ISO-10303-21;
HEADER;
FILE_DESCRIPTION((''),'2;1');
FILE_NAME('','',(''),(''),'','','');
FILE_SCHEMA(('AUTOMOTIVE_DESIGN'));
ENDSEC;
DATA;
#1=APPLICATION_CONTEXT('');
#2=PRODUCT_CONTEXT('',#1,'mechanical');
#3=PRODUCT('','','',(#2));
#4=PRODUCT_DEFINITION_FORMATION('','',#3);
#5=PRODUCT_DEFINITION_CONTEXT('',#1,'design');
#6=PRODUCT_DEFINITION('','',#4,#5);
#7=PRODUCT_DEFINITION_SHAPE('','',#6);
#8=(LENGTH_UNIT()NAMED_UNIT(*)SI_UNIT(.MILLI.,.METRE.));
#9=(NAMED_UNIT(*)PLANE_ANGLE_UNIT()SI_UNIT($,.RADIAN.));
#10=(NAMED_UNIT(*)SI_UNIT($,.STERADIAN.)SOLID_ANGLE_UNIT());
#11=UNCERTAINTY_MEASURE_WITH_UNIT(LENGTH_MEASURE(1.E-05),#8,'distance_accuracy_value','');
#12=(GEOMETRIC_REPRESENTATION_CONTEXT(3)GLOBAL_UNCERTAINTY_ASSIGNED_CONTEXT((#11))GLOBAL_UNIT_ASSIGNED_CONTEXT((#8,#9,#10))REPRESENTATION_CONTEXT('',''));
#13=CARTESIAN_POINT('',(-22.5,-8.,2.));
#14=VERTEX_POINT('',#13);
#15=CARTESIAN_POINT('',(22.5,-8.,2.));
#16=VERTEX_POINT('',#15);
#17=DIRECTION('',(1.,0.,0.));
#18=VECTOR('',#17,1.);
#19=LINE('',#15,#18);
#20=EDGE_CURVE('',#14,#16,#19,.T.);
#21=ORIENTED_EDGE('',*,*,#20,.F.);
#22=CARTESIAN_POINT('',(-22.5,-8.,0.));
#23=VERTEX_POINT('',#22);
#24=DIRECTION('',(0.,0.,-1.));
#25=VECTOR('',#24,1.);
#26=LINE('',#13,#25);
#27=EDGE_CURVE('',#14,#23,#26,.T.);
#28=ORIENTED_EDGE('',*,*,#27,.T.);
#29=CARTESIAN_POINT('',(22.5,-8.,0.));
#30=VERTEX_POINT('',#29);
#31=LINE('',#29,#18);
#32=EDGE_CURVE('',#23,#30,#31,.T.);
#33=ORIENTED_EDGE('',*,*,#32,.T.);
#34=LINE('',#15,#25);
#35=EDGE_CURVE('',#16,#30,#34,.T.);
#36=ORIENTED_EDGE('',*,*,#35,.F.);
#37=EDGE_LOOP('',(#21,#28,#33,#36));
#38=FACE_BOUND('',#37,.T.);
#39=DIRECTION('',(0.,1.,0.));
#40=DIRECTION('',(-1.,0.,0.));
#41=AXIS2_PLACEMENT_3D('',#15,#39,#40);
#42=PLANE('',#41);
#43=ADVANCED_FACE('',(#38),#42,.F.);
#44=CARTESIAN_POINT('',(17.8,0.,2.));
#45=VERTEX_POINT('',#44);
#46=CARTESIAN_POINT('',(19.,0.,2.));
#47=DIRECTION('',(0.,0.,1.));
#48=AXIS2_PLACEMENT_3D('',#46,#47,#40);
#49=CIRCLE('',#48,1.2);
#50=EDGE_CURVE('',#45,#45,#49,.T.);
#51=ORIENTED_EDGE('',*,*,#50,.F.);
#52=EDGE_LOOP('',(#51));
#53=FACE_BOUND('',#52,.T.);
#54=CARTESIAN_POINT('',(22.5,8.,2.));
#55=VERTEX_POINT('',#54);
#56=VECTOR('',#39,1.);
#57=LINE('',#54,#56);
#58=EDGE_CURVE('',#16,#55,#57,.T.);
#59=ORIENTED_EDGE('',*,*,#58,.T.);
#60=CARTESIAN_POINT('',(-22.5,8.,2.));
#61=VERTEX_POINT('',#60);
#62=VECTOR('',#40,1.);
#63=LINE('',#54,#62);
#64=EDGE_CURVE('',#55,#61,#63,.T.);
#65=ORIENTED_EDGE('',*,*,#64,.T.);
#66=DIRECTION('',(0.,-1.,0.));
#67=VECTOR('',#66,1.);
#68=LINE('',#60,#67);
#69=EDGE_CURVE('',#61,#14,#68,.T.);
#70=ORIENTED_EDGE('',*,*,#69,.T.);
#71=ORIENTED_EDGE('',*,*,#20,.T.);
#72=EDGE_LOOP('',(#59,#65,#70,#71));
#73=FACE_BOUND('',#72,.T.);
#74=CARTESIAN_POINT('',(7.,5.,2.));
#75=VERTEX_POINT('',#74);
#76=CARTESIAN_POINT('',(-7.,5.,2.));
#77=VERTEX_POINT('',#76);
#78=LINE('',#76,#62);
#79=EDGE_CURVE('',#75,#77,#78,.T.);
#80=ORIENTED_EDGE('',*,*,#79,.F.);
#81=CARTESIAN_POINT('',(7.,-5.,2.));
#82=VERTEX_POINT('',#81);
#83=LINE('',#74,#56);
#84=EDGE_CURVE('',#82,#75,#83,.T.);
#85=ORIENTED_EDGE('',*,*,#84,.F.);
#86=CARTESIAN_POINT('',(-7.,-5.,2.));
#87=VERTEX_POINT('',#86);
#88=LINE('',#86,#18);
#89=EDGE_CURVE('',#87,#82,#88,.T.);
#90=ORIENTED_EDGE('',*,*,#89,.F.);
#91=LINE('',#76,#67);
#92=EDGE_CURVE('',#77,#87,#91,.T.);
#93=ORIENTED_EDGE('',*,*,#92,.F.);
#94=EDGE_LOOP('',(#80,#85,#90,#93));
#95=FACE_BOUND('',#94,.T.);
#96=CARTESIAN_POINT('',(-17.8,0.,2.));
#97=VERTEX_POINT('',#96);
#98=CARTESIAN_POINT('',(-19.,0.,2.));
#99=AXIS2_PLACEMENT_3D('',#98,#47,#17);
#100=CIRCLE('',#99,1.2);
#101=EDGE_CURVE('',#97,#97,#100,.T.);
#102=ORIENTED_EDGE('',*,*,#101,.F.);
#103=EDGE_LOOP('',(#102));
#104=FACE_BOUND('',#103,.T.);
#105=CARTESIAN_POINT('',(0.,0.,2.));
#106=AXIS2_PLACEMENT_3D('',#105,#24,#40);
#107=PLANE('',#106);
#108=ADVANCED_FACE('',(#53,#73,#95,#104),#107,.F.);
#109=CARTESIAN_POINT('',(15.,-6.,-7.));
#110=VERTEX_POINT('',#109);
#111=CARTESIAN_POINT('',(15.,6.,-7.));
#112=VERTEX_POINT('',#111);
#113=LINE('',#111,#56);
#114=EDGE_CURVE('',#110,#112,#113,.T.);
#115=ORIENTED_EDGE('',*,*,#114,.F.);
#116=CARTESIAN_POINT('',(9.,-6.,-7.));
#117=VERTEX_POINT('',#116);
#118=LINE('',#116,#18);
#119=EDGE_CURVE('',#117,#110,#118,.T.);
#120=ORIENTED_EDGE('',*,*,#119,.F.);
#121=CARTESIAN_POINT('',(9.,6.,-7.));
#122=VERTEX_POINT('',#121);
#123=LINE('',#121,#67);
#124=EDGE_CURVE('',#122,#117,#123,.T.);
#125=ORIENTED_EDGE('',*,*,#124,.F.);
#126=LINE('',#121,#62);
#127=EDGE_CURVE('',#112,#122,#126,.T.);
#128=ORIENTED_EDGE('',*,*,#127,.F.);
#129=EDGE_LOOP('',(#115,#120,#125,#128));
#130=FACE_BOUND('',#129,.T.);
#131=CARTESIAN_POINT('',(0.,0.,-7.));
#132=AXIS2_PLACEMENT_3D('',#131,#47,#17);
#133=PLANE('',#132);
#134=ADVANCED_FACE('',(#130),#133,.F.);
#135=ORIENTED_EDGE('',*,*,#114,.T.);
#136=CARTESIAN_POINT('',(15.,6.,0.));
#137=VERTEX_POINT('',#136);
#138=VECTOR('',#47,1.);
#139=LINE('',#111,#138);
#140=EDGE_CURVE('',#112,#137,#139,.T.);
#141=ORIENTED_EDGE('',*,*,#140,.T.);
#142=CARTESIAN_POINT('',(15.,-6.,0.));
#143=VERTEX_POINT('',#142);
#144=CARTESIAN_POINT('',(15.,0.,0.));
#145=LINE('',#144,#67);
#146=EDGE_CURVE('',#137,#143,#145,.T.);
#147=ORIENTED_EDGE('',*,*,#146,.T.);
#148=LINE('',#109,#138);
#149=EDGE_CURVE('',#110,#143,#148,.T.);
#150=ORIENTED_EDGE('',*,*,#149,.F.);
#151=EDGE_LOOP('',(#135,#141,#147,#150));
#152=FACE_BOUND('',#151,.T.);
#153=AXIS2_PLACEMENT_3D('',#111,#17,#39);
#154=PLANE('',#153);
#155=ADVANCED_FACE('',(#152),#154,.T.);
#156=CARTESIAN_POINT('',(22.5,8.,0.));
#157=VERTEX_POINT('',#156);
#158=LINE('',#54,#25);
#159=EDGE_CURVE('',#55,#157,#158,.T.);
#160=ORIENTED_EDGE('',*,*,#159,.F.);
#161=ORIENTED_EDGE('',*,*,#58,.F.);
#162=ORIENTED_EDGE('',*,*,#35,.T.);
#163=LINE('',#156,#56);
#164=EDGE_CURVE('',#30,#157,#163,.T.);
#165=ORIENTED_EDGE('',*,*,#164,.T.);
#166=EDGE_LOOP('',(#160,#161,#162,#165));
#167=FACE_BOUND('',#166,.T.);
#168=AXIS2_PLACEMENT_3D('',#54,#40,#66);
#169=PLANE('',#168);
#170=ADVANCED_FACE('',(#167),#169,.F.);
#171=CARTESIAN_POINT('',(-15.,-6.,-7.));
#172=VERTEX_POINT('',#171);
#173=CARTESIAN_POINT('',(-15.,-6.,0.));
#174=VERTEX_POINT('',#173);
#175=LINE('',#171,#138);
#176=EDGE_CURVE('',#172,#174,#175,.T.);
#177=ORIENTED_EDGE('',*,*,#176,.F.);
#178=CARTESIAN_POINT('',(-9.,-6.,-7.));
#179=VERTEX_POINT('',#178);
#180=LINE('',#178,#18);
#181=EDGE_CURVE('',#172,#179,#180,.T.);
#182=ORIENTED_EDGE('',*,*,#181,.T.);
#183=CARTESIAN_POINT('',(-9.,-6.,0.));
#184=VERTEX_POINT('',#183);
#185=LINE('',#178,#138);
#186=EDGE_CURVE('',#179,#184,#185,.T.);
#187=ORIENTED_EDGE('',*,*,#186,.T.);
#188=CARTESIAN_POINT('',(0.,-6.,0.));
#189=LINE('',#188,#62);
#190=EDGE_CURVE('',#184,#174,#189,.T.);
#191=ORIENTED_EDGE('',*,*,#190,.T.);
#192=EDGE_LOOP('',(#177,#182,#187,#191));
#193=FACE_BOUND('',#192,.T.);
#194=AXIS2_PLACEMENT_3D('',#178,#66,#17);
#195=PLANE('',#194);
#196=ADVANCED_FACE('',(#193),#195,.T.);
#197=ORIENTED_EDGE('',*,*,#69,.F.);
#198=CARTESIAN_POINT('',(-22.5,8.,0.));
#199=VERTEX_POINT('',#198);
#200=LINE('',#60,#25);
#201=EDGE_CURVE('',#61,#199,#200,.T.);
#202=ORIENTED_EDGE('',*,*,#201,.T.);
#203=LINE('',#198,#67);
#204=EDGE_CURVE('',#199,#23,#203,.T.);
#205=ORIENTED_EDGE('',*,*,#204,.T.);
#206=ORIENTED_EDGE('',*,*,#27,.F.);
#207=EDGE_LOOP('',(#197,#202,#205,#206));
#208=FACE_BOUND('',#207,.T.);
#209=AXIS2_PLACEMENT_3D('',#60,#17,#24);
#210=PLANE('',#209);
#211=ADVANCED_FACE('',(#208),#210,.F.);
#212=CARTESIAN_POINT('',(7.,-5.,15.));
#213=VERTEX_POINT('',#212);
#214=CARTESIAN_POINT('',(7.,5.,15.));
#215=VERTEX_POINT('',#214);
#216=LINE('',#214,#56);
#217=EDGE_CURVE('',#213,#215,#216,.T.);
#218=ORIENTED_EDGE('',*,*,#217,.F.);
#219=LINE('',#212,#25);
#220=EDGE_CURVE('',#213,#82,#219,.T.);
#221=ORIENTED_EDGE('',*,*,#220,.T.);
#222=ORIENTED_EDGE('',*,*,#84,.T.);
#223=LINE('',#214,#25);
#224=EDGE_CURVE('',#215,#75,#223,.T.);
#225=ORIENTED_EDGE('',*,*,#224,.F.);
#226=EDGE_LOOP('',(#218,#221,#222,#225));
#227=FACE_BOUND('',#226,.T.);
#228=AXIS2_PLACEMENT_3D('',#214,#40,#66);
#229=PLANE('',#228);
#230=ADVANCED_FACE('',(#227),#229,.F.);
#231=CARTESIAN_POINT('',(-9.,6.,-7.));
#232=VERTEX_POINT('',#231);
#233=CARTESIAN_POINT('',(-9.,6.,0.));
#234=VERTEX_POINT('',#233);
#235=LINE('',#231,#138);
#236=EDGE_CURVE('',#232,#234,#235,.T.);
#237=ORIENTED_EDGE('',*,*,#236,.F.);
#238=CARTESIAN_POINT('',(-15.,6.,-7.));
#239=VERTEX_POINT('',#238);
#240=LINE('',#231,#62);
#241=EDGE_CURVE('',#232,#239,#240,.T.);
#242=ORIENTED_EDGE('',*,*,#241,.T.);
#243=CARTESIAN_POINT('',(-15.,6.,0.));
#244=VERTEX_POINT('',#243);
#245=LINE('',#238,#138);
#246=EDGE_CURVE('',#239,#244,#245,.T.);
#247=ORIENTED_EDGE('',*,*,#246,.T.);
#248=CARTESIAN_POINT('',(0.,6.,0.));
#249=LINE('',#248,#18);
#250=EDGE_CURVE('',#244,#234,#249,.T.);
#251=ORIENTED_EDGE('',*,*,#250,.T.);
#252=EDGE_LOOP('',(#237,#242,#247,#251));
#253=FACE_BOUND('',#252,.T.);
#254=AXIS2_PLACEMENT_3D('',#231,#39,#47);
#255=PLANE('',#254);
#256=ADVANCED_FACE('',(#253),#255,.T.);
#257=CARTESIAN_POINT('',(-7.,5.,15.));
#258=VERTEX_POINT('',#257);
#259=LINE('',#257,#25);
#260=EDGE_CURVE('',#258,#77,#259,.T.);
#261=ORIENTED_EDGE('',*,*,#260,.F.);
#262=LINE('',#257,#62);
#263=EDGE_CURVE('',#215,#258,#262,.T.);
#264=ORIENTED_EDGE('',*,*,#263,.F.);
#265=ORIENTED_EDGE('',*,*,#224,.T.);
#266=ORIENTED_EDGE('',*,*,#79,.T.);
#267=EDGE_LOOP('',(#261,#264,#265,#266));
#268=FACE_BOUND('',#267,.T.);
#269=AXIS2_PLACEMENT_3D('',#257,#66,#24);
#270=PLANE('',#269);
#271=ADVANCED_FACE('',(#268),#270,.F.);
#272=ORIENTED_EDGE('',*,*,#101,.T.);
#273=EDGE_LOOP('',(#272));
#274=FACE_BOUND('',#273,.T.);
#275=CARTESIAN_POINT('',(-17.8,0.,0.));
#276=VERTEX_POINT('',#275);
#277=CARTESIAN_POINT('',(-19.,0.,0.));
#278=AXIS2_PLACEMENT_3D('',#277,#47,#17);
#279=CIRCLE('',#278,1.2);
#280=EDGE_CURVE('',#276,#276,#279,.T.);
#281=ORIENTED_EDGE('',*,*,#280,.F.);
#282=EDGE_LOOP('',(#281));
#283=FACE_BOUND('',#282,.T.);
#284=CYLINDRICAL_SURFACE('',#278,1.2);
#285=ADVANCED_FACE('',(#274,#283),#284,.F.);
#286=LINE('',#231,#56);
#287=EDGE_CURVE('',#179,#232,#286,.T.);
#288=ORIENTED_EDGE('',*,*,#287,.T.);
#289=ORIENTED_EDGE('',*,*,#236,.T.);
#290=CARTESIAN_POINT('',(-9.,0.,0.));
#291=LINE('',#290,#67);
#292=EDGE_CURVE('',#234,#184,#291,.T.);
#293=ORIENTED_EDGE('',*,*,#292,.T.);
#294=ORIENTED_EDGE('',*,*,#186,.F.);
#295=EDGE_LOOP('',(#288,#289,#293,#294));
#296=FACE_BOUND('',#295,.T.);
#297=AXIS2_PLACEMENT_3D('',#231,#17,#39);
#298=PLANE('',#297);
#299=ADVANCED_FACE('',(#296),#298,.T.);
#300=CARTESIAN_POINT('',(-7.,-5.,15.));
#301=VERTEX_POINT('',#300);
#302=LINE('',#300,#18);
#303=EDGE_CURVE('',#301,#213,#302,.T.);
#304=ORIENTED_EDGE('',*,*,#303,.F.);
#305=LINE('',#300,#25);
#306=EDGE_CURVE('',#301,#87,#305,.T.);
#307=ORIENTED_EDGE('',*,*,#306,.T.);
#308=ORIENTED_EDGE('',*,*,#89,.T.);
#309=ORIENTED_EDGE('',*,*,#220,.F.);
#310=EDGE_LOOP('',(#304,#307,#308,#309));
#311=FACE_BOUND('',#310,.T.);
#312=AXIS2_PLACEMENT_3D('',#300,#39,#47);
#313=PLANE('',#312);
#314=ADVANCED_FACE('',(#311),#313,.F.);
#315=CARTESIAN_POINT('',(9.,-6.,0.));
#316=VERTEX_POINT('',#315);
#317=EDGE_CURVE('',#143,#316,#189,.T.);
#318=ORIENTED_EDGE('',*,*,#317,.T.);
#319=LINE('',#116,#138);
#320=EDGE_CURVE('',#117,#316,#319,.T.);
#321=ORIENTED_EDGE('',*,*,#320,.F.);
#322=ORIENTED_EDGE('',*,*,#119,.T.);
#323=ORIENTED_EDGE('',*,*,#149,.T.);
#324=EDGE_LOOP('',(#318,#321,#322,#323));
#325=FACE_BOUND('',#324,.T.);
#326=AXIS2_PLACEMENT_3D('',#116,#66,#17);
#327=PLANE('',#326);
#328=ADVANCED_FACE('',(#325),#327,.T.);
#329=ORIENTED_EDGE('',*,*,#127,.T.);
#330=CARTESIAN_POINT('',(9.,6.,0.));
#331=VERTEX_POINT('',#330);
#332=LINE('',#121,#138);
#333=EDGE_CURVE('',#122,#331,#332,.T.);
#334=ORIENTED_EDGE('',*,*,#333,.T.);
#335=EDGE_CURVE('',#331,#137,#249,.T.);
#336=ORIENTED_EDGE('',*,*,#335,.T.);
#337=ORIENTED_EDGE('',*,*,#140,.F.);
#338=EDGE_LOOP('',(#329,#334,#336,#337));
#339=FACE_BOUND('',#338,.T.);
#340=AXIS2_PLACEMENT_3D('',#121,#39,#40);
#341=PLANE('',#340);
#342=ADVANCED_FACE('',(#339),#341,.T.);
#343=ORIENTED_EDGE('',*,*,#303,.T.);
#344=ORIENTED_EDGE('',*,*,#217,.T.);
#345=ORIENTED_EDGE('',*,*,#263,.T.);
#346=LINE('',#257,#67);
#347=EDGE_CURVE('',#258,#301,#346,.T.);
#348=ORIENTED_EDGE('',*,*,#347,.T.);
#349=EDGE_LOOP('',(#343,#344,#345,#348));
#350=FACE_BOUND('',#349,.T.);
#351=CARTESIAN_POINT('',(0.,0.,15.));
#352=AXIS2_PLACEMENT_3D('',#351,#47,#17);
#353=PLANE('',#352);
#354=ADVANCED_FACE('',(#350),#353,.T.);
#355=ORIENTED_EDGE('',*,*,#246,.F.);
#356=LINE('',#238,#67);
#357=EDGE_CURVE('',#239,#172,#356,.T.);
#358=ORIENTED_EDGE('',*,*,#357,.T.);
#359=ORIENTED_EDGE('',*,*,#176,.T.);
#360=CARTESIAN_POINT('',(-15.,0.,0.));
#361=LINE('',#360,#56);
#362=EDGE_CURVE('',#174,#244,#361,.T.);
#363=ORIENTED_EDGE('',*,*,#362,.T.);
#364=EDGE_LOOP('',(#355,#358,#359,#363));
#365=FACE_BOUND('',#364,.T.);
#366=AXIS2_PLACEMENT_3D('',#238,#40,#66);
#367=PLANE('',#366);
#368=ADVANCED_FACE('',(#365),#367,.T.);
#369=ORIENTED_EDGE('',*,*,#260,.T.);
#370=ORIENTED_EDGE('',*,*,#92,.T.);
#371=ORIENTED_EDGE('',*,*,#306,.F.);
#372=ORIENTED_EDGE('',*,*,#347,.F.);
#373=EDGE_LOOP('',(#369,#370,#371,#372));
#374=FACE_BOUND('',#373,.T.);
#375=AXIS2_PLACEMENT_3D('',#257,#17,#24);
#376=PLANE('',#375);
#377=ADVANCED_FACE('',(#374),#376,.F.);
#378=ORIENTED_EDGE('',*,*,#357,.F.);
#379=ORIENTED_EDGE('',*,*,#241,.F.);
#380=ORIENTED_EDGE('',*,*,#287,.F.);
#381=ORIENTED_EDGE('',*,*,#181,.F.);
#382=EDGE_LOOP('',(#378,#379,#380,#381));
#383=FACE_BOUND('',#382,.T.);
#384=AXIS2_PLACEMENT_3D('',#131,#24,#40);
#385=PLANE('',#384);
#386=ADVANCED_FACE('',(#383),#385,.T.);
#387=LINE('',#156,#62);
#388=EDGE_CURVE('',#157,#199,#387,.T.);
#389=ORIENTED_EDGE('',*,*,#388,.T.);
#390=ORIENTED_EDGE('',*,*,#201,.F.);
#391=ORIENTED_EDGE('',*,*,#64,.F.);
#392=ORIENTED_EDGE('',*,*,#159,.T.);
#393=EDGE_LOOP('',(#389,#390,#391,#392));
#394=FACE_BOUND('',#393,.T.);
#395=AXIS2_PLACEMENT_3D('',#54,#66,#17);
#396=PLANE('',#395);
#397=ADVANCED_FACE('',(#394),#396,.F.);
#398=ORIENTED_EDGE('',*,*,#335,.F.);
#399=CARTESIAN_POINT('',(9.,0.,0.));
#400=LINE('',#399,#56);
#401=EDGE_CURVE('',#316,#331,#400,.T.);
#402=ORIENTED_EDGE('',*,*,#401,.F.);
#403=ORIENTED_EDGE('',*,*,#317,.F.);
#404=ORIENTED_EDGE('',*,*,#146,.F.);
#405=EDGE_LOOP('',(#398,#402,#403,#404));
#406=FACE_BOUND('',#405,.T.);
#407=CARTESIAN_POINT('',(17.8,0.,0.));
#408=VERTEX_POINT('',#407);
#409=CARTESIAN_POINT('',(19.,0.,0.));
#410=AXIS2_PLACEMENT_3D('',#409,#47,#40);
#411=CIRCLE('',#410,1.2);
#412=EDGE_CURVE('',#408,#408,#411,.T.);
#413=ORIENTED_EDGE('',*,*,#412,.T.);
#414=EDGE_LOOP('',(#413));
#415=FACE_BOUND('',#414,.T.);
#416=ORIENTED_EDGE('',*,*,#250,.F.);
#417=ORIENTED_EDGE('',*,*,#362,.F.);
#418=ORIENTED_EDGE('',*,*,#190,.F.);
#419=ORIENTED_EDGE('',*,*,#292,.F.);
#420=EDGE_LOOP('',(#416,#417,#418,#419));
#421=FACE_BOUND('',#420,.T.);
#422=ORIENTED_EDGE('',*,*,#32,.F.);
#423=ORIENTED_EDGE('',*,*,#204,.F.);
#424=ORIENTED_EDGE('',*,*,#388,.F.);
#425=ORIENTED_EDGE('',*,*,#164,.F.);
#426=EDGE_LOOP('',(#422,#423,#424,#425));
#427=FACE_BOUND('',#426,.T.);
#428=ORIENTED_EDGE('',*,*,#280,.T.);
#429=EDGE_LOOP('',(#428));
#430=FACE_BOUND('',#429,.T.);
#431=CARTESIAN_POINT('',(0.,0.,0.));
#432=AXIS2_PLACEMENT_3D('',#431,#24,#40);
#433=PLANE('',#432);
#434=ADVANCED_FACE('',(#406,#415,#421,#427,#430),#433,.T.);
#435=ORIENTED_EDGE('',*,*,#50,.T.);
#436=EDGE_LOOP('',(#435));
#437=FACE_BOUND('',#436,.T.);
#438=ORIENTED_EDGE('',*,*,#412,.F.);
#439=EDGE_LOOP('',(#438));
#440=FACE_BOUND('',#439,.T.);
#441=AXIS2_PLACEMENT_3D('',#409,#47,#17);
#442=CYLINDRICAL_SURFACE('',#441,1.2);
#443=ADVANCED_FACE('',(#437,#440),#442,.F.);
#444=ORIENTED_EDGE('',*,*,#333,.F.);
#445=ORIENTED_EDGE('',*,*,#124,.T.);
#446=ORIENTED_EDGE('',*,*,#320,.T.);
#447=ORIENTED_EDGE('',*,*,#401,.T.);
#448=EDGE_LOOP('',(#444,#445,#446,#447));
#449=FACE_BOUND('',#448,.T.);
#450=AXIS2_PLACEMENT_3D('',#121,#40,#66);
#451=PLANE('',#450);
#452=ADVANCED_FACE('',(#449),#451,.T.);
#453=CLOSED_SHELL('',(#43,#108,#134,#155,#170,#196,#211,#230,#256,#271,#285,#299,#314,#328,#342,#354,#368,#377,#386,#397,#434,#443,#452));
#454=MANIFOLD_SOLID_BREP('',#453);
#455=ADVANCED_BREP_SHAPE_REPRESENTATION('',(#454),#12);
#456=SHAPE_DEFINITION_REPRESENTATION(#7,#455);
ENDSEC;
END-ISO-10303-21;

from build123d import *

# Parameters (mm, degrees)
SKETCH_1_W          = 45
SKETCH_1_H          = 16
EXTRUDE_1_DEPTH     = 2
SKETCH_2_R          = 1.2
CUT_EXTRUDE_1_DEPTH = 2
SKETCH_3_W          = 14
SKETCH_3_H          = 10
EXTRUDE_2_DEPTH     = 13
SKETCH_4_W          = 6
SKETCH_4_H          = 12
EXTRUDE_3_DEPTH     = 9


with BuildPart() as part:
    # ｽｹｯﾁ1 → ﾎﾞｽ - 押し出し1 (new body)
    with BuildSketch(Plane.XY):
        Rectangle(SKETCH_1_W, SKETCH_1_H)
    extrude(amount=EXTRUDE_1_DEPTH)

    # ｽｹｯﾁ2 → ｶｯﾄ - 押し出し1 (cut)
    with BuildSketch(Plane.XY.offset(2)):
        with Locations((-19, 0)):
            Circle(SKETCH_2_R)
        with Locations((19, 0)):
            Circle(SKETCH_2_R)
    extrude(amount=-CUT_EXTRUDE_1_DEPTH, mode=Mode.SUBTRACT)

    # ｽｹｯﾁ3 → ﾎﾞｽ - 押し出し2 (add)
    with BuildSketch(Plane.XY.offset(2)):
        Rectangle(SKETCH_3_W, SKETCH_3_H)
    extrude(amount=EXTRUDE_2_DEPTH)

    # ｽｹｯﾁ4 → ﾎﾞｽ - 押し出し3 (add)
    with BuildSketch(Plane.XY.offset(2)):
        with Locations((-12, 0)):
            Rectangle(SKETCH_4_W, SKETCH_4_H)
        with Locations((12, 0)):
            Rectangle(SKETCH_4_W, SKETCH_4_H)
    extrude(amount=-EXTRUDE_3_DEPTH)


solid = part.part
